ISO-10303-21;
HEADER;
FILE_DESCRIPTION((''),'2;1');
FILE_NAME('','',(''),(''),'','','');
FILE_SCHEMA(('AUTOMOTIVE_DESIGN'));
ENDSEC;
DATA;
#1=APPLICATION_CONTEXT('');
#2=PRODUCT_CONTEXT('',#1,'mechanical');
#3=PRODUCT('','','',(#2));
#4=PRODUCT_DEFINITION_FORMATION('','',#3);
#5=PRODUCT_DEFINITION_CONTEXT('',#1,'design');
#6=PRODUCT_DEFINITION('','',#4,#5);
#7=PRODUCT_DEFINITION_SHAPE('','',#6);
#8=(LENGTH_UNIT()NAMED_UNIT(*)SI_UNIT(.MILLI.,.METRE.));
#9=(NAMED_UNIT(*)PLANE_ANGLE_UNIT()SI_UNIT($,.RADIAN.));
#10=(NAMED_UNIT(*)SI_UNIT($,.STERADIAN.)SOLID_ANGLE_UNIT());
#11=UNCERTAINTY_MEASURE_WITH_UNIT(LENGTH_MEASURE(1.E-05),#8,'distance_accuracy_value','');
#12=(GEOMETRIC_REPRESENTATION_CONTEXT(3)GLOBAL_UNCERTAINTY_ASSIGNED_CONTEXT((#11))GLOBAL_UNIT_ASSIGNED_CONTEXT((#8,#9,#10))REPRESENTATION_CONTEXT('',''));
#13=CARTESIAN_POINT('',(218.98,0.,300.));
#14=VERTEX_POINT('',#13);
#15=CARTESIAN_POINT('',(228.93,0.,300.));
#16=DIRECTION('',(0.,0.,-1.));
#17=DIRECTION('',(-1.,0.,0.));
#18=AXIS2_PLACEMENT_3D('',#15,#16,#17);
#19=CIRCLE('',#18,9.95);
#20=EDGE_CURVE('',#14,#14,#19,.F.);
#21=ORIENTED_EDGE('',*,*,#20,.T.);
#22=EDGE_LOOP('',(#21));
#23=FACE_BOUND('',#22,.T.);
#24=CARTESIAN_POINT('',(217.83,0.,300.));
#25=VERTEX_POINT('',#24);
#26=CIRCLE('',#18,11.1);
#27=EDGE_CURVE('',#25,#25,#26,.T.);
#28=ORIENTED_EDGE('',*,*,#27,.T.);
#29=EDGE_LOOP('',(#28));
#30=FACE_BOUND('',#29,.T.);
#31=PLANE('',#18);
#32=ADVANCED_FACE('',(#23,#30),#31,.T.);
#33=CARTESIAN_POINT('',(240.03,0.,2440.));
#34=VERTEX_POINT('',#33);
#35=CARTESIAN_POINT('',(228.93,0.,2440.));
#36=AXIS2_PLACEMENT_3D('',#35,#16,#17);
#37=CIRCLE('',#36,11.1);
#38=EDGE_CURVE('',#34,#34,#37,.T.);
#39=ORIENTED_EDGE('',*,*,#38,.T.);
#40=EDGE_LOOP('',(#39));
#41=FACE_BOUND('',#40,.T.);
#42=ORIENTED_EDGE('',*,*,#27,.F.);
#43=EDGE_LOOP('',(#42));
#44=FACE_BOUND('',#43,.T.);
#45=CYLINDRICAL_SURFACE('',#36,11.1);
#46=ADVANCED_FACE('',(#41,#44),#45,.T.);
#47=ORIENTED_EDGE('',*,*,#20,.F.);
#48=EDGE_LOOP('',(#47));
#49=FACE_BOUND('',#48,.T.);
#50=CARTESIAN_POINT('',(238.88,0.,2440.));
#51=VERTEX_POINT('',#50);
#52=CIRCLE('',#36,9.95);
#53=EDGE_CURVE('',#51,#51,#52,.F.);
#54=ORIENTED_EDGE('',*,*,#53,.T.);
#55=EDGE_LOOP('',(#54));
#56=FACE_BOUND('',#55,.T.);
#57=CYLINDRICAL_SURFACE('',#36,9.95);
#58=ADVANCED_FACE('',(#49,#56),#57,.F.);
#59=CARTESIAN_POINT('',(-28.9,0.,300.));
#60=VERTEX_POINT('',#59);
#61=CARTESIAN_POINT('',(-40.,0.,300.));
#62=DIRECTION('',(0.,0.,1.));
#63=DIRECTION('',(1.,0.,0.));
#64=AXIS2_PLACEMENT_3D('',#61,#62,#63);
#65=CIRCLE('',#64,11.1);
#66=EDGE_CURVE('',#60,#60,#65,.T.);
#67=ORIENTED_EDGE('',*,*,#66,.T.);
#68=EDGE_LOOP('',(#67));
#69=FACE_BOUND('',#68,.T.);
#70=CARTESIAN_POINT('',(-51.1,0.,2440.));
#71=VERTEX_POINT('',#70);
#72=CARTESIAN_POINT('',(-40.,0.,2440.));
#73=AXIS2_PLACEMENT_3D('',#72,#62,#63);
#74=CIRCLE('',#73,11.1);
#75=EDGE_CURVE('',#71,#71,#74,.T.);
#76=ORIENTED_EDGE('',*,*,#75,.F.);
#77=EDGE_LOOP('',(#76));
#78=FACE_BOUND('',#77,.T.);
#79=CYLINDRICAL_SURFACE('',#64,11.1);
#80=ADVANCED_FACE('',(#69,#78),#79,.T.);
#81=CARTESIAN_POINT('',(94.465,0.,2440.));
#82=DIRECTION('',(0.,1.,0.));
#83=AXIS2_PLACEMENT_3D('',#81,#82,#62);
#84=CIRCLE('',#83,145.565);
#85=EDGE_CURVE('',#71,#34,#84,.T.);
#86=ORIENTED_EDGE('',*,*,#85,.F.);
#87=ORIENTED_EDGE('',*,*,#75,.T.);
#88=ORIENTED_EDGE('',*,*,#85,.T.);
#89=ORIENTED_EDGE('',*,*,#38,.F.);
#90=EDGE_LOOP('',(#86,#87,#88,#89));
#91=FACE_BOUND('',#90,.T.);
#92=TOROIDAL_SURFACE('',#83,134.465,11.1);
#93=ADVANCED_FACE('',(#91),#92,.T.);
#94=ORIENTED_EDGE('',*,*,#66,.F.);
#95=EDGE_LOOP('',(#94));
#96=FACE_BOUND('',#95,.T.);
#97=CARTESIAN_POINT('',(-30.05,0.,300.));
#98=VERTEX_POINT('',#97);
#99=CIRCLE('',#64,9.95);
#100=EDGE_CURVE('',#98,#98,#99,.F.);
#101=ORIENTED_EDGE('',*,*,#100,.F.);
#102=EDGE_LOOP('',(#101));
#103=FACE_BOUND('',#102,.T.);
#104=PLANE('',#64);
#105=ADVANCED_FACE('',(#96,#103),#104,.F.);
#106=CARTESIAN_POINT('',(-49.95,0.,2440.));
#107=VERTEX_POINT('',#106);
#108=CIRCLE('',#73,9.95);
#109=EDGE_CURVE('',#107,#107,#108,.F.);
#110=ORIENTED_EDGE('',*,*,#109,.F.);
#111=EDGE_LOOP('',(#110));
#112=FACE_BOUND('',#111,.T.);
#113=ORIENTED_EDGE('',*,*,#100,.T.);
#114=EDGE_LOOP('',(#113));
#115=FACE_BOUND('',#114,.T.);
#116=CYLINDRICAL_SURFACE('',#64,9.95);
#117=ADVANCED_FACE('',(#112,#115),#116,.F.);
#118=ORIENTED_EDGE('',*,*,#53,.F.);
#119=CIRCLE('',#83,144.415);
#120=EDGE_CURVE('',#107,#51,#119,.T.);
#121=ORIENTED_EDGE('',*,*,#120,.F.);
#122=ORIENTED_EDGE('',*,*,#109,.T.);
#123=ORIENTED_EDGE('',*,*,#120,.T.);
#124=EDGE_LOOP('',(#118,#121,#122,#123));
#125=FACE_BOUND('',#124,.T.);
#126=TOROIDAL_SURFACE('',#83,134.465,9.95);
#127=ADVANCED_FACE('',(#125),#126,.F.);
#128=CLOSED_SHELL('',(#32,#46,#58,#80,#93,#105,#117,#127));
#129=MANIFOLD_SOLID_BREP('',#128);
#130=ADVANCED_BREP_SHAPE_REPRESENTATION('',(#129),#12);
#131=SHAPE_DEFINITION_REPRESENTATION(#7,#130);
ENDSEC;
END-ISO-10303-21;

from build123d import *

# Parameters (mm, degrees)
SKETCH2_R   = 11.1
SKETCH2_R_2 = 9.95


with BuildPart() as part:
    # Sweep1: sweep along a path in Sketch1
    with BuildLine(Plane(origin=(0, 0, 0), x_dir=(1, 0, 0), z_dir=(0, 1, 0))) as sweep1_path:
        Line((228.93, -300), (228.93, -2440))
        ThreePointArc((228.93, -2440), (94.465, -2574.465), (-40, -2440))
        Line((-40, -2440), (-40, -300))
    # Sketch2 → Sweep1 (sweep)
    with BuildSketch(Plane(origin=(228.93, 0, 300), x_dir=(-1, 0, 0), z_dir=(0, 0, -1))):
        Circle(SKETCH2_R)
        Circle(SKETCH2_R_2, mode=Mode.SUBTRACT)
    sweep(path=sweep1_path.line)


solid = part.part
